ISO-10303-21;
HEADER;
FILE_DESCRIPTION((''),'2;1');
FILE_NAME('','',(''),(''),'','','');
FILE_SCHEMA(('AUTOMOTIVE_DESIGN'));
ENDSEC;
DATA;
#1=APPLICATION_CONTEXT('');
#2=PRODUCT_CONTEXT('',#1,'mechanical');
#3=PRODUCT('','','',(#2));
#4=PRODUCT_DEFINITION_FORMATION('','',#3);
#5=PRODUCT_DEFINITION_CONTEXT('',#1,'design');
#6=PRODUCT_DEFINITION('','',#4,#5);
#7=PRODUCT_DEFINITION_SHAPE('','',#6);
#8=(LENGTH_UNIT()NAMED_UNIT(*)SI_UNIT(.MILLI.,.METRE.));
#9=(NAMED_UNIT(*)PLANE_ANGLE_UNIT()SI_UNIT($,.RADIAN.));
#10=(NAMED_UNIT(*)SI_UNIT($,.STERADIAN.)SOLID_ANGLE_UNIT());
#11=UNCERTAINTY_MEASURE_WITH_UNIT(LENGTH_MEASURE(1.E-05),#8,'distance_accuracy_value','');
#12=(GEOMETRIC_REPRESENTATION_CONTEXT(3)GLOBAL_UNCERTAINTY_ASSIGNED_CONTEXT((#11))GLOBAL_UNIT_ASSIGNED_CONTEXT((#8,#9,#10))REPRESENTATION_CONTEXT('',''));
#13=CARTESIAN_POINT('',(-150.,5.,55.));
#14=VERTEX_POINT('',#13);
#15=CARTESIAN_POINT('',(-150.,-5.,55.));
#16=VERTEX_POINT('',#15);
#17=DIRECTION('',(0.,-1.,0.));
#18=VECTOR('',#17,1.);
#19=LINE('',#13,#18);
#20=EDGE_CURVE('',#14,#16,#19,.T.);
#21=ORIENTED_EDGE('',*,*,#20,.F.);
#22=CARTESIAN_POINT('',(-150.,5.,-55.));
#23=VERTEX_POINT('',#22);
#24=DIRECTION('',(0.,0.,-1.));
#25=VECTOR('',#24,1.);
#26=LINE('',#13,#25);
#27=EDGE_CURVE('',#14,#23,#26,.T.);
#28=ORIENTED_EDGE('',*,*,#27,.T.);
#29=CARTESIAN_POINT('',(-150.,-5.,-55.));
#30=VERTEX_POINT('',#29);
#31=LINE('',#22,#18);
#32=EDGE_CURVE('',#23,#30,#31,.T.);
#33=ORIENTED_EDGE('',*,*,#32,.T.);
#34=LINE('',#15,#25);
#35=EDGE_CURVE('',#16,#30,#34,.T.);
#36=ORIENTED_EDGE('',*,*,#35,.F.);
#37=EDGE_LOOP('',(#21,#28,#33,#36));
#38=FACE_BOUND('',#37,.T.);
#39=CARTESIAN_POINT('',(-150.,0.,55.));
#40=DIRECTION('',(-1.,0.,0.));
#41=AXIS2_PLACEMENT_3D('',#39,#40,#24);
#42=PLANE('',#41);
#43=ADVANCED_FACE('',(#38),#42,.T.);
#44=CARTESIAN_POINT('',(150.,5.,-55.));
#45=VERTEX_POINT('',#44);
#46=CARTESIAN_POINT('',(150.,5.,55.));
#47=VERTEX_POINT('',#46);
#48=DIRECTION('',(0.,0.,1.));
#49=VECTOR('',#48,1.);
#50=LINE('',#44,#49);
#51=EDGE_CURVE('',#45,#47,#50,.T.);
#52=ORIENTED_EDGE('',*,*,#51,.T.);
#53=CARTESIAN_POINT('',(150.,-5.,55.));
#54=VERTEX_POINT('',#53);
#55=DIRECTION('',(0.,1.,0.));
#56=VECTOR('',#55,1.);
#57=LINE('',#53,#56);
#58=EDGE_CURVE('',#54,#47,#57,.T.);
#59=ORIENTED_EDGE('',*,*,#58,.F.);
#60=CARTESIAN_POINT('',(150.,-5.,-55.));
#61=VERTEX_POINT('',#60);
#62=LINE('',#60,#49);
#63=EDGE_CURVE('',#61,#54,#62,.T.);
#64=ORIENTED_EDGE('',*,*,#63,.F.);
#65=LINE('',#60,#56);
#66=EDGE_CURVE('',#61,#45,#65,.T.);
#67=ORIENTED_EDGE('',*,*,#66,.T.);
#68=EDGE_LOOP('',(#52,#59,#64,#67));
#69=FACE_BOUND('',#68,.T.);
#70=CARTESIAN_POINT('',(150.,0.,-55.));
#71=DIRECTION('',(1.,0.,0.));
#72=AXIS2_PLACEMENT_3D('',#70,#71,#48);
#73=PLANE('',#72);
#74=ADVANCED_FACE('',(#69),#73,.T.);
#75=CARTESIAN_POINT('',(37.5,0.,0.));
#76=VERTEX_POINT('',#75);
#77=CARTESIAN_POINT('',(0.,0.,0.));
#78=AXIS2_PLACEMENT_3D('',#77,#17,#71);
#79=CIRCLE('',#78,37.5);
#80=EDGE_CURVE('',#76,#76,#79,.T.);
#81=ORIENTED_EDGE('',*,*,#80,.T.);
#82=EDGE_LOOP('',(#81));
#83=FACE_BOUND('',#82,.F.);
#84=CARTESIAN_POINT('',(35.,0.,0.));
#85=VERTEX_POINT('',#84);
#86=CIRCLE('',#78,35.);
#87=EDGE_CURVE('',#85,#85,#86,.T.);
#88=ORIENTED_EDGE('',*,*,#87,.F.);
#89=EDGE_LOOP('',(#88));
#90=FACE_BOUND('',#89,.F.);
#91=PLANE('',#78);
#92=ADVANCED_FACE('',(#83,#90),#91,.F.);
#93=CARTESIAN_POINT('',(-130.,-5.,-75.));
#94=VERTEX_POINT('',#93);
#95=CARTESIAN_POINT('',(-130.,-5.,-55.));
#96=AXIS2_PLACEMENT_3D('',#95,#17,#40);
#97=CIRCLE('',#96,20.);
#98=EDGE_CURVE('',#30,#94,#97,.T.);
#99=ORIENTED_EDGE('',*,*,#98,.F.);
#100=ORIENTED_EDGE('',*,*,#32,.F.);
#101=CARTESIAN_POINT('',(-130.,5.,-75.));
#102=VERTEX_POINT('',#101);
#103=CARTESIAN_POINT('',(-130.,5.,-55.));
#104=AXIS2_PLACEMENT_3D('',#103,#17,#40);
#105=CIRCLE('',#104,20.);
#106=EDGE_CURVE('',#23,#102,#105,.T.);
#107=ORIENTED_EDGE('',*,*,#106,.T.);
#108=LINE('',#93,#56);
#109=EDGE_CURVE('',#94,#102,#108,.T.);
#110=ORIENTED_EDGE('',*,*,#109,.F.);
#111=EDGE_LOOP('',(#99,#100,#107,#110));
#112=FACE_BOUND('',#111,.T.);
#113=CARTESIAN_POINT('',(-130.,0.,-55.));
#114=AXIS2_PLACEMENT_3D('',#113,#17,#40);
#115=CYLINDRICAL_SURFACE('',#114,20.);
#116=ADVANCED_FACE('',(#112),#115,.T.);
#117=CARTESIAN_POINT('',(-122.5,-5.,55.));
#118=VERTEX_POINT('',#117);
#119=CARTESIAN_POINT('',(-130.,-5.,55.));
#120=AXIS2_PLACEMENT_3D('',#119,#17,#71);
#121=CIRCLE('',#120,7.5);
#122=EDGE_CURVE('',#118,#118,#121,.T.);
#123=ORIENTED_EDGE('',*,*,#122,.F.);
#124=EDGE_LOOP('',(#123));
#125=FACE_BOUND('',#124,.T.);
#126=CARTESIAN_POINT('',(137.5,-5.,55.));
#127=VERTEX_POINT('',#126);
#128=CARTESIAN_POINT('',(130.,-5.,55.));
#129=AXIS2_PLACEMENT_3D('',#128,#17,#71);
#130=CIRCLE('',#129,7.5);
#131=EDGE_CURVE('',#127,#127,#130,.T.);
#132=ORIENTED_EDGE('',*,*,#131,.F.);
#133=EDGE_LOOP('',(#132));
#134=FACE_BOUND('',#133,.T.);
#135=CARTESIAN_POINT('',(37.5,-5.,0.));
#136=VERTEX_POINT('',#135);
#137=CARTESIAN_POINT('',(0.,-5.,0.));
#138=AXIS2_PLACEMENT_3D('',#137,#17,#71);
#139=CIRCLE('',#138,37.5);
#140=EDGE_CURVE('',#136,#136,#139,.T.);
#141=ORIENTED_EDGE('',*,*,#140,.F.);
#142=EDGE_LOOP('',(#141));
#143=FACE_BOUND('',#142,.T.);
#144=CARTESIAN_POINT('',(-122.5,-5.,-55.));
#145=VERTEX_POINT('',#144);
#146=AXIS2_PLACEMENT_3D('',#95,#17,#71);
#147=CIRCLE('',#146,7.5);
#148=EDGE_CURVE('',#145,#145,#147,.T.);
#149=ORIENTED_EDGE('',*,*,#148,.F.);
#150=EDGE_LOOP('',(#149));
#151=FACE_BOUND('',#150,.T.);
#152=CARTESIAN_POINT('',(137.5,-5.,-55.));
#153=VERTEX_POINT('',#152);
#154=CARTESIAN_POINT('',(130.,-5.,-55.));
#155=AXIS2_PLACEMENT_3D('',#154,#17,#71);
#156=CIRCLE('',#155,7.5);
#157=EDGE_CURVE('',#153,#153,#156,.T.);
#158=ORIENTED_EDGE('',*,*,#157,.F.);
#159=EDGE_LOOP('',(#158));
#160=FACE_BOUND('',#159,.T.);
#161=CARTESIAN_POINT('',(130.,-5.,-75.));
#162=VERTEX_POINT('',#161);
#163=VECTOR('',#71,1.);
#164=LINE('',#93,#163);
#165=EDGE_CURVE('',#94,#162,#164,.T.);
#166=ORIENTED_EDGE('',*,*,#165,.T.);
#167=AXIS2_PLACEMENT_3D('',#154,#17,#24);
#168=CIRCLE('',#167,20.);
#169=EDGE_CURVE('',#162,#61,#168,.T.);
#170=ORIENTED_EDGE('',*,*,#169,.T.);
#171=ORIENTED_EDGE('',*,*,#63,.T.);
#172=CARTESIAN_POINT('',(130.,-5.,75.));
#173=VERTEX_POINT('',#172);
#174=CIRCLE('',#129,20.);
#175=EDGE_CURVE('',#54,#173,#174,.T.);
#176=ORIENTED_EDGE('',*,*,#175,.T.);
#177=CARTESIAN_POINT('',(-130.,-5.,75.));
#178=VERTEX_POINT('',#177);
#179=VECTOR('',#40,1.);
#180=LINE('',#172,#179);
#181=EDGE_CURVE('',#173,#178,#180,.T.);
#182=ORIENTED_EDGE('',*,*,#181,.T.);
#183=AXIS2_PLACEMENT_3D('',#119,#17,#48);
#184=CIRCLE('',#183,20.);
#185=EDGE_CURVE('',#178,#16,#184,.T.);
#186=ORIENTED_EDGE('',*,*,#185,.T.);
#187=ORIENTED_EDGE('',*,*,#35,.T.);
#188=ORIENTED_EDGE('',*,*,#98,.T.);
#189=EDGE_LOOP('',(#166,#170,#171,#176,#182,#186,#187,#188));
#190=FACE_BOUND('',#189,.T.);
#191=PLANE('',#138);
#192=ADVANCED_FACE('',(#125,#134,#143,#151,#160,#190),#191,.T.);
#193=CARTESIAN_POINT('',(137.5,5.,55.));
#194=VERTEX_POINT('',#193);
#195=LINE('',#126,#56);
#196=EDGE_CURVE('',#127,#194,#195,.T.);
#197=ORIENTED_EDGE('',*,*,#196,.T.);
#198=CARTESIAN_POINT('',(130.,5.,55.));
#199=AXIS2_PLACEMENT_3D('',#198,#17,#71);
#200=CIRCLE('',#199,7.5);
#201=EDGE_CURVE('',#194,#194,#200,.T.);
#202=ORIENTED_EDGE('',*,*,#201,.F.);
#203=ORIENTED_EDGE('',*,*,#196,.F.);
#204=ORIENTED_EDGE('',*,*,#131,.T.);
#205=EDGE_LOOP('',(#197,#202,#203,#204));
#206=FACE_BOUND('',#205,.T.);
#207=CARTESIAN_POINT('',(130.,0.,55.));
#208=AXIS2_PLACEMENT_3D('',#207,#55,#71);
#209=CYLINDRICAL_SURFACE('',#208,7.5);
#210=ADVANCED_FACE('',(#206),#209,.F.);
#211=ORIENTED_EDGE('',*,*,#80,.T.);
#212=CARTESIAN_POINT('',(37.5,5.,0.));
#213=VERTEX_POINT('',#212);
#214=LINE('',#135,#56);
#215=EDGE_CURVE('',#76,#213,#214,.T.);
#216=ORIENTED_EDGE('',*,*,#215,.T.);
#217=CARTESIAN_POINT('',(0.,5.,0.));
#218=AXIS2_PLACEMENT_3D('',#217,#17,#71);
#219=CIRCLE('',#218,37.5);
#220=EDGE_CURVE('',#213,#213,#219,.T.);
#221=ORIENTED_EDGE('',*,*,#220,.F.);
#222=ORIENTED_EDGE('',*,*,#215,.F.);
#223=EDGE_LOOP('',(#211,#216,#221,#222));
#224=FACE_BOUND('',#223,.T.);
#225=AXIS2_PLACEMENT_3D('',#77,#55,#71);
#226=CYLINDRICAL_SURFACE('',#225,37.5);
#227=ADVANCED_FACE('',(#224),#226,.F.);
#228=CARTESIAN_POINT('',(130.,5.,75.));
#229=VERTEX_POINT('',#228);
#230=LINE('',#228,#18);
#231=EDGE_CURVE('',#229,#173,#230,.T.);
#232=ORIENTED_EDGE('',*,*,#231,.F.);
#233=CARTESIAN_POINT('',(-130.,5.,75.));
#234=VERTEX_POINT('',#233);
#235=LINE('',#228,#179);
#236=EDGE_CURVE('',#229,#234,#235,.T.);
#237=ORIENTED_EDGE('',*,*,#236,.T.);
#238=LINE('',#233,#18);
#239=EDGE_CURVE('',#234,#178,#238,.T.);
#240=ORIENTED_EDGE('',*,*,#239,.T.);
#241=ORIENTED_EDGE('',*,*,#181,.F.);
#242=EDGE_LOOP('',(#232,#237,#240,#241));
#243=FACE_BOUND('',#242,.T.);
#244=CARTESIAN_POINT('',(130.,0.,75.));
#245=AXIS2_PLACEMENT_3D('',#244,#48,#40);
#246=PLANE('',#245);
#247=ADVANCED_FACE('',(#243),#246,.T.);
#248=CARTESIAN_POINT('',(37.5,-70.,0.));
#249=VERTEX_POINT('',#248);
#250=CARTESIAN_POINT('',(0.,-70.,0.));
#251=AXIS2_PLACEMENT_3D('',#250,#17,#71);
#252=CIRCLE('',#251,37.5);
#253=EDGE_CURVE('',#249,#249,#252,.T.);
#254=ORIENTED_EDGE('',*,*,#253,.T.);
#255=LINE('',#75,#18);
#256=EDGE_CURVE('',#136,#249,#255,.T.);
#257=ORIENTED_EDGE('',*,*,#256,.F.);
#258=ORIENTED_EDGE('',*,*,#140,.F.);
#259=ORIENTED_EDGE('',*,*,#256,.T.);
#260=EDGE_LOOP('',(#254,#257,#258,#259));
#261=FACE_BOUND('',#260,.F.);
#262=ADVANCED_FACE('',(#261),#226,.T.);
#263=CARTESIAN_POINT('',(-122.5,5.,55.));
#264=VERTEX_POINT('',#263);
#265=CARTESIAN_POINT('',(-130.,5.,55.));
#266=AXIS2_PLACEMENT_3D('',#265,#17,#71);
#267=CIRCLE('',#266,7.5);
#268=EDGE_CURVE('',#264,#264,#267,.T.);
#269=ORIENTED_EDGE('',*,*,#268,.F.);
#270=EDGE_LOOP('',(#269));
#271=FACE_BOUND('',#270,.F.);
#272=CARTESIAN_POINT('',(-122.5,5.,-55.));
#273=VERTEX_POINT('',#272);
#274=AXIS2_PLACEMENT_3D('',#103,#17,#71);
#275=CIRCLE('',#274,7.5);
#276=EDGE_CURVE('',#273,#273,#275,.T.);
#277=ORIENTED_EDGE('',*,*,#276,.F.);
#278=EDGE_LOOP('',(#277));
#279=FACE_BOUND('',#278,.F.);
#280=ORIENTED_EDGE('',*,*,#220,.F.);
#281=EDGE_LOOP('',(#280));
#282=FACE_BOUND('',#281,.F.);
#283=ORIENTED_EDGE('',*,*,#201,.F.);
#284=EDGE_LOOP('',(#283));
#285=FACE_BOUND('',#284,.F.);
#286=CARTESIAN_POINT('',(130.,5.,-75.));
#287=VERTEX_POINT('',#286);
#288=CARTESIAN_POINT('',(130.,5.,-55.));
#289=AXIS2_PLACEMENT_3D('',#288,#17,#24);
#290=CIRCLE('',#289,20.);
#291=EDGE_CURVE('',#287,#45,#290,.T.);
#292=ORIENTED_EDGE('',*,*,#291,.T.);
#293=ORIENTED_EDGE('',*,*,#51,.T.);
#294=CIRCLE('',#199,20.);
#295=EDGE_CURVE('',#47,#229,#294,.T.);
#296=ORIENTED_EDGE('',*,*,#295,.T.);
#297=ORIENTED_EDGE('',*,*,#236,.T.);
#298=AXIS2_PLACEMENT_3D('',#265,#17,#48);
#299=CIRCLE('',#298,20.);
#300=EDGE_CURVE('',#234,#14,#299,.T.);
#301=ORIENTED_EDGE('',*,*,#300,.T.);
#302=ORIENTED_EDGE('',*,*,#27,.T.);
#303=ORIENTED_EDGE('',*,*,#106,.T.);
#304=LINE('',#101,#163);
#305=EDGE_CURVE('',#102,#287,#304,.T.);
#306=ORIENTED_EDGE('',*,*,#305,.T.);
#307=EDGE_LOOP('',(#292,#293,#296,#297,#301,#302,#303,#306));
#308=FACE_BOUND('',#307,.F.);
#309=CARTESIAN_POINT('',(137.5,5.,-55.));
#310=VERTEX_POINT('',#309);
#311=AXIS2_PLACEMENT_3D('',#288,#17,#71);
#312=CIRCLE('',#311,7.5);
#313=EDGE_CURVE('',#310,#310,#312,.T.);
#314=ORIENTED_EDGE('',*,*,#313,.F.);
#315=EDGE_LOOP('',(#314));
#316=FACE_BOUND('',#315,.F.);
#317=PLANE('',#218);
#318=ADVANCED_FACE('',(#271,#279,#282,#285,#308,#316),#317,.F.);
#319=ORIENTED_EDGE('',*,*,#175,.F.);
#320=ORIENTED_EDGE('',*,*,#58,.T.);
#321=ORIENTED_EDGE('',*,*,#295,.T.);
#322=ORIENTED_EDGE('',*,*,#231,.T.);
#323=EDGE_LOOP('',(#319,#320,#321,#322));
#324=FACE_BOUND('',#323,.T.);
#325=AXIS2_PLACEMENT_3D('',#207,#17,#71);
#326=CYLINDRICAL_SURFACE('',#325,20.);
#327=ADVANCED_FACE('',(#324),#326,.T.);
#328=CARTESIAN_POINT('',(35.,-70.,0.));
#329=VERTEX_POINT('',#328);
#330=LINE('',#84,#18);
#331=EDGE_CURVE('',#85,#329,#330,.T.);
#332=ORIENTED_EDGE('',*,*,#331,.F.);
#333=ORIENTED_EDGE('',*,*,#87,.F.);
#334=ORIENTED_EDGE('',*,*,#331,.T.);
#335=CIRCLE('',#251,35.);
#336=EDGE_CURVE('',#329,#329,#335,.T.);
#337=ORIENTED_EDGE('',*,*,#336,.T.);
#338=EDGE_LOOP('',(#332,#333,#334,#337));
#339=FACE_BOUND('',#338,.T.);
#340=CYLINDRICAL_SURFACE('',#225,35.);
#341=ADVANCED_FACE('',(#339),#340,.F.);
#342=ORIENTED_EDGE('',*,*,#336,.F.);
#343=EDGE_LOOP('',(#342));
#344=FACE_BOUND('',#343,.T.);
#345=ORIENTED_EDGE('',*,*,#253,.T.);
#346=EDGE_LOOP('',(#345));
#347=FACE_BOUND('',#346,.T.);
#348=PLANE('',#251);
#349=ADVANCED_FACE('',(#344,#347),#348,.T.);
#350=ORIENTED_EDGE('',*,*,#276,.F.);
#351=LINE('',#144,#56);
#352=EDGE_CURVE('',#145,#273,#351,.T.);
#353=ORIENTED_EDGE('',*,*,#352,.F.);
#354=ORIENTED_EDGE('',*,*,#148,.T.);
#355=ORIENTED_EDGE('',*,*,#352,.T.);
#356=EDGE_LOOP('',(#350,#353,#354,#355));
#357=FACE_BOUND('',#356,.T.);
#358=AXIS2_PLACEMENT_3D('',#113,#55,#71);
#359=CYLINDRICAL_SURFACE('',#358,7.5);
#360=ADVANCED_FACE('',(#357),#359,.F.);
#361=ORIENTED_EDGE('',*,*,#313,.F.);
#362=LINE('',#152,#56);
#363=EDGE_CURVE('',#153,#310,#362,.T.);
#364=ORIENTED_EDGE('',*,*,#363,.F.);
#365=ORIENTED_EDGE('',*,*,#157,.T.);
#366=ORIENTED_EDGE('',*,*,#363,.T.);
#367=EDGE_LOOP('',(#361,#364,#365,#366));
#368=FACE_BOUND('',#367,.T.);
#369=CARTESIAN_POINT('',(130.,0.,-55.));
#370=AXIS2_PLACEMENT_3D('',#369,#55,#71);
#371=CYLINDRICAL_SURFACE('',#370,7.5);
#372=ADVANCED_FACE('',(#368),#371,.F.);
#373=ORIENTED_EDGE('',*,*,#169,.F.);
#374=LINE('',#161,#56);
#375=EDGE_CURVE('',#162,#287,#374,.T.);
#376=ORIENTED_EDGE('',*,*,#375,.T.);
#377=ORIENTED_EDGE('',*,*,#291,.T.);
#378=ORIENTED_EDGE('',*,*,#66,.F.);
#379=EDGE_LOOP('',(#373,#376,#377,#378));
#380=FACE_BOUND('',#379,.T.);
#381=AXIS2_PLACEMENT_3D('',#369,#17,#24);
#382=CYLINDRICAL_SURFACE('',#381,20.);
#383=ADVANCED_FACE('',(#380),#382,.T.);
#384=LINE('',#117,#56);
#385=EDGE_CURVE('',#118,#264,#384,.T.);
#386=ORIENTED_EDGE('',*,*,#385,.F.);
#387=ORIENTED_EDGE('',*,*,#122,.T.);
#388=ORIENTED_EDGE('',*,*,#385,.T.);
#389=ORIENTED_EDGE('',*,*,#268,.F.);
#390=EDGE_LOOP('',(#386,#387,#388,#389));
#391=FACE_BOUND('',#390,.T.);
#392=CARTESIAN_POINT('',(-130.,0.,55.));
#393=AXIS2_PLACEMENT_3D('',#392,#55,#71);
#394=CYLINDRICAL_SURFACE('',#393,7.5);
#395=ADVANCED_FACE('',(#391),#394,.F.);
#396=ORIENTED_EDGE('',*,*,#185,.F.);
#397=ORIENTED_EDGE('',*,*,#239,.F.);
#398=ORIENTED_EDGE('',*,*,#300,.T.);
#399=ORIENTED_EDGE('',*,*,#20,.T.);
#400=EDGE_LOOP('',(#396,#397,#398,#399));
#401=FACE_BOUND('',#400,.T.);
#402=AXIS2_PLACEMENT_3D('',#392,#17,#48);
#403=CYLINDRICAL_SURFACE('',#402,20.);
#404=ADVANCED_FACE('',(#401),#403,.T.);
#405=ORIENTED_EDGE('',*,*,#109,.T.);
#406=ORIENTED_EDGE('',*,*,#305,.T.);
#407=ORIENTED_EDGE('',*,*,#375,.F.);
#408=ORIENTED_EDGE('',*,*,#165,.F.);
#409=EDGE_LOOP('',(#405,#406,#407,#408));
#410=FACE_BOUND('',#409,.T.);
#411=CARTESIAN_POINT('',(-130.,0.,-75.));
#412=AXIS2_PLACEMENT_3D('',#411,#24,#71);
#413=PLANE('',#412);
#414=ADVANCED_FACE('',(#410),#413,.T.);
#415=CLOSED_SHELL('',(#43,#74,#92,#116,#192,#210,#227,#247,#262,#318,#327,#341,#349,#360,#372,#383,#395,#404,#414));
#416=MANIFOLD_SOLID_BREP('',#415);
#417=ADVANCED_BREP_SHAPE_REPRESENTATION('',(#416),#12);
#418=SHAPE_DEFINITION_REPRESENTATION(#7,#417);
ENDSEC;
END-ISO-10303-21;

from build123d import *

# Parameters (mm, degrees)
F0_R     = 7.5
F0_R_2   = 37.5
F1_DEPTH = 5
F0_R_3   = 35
F2_DEPTH = 70


with BuildPart() as f1:
    # F0 (on Front) → F1 (new body, symmetric)
    with BuildSketch(Plane.XZ):
        with BuildLine():
            ThreePointArc((150, 55), (144.1421356237, 69.1421356237), (130, 75))
            Line((130, 75), (-130, 75))
            ThreePointArc((-130, 75), (-144.1421356237, 69.1421356237), (-150, 55))
            Line((-150, 55), (-150, -55))
            ThreePointArc((-150, -55), (-144.1421356237, -69.1421356237), (-130, -75))
            Line((-130, -75), (130, -75))
            ThreePointArc((130, -75), (144.1421356237, -69.1421356237), (150, -55))
            Line((150, -55), (150, 55))
        make_face()
        with Locations((-130, -55)):
            Circle(F0_R, mode=Mode.SUBTRACT)
        with Locations((130, -55)):
            Circle(F0_R, mode=Mode.SUBTRACT)
        with Locations((-130, 55)):
            Circle(F0_R, mode=Mode.SUBTRACT)
        Circle(F0_R_2, mode=Mode.SUBTRACT)
        with Locations((130, 55)):
            Circle(F0_R, mode=Mode.SUBTRACT)
    extrude(amount=F1_DEPTH, both=True)

    # F0 (on Front) → F2 (join)
    with BuildSketch(Plane.XZ):
        Circle(F0_R_2)
        Circle(F0_R_3, mode=Mode.SUBTRACT)
    extrude(amount=F2_DEPTH)


solid = f1.part
